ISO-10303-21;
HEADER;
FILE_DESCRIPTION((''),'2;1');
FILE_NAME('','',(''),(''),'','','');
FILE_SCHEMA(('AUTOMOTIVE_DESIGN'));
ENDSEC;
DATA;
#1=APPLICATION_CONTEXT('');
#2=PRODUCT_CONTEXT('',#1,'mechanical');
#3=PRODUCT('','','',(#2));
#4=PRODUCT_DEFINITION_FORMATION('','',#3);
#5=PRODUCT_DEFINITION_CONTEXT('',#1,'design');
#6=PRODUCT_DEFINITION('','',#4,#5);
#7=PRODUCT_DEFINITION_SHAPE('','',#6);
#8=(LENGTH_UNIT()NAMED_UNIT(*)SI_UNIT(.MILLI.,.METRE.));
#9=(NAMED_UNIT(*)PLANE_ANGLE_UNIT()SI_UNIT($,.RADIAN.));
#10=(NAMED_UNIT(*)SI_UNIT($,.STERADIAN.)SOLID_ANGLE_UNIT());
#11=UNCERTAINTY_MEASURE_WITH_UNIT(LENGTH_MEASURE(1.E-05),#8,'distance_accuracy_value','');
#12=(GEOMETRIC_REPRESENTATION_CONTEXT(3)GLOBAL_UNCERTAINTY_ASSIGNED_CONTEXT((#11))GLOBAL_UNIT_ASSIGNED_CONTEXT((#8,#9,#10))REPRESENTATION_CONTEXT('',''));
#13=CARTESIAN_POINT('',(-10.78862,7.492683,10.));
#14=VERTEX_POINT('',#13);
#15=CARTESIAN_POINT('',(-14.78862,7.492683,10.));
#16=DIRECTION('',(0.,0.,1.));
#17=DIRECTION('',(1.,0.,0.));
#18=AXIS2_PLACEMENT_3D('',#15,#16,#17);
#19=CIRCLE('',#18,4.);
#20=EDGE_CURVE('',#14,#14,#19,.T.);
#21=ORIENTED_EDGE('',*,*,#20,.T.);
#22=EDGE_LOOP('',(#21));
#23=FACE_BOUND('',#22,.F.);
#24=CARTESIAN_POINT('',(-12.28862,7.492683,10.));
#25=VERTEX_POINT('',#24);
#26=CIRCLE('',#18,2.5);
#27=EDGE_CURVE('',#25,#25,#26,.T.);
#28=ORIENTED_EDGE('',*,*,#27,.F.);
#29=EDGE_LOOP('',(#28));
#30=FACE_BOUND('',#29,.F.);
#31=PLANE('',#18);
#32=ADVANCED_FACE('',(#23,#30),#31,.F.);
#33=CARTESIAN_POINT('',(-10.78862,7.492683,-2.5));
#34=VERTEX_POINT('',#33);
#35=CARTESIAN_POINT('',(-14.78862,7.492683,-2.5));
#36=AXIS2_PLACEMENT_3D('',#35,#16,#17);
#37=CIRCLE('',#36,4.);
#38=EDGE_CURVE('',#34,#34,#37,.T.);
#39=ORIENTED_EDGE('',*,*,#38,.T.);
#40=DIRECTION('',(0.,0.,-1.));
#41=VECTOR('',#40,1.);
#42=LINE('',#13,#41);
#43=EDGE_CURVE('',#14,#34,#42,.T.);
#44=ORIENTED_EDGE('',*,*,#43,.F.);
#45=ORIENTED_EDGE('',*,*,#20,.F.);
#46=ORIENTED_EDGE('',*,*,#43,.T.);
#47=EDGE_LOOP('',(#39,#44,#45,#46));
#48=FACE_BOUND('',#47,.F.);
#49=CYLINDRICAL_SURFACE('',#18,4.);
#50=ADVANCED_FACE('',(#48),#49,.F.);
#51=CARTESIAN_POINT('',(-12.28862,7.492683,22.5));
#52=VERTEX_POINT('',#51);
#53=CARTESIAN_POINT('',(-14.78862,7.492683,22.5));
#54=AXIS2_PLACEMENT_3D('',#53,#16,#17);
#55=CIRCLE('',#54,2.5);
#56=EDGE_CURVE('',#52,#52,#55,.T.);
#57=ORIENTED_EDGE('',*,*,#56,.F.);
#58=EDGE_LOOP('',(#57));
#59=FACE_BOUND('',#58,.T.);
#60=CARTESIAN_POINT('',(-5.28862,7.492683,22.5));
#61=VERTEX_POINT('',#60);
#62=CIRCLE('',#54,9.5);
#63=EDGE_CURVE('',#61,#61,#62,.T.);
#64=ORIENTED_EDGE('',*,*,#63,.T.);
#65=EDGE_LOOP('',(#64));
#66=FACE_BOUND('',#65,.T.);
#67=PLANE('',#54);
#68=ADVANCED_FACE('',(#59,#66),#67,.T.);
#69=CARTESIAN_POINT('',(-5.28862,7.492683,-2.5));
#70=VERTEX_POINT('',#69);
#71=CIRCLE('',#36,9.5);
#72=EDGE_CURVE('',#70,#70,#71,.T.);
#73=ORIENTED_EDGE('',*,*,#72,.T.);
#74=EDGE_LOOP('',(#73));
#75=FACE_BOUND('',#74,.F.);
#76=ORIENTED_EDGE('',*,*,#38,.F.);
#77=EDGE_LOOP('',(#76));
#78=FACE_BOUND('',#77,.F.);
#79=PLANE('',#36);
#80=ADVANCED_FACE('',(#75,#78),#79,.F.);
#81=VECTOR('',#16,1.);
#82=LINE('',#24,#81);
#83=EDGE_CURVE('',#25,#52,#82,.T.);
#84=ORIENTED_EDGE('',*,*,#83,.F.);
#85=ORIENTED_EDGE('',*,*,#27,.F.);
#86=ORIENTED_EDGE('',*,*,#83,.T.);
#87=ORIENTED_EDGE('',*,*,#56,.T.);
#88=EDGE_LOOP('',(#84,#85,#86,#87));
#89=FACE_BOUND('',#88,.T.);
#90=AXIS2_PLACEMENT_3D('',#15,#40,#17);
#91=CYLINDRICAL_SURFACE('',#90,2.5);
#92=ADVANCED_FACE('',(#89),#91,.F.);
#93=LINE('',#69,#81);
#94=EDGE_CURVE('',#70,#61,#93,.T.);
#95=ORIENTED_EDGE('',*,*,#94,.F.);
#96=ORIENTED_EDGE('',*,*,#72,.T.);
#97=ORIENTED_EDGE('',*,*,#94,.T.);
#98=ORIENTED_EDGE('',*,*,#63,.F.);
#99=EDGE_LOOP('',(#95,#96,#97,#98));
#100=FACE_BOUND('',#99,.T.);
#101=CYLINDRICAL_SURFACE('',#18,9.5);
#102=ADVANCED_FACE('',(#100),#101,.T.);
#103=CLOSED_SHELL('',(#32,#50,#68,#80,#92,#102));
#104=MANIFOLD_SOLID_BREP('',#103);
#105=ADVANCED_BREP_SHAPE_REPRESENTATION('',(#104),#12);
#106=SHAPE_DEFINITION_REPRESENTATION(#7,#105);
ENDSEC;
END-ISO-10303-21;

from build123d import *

# Parameters (mm, degrees)
SKETCH_2_R           = 9.5
EXTRUDE_1_DEPTH      = 12.5
SKETCH_4_OUTSIDE_W   = 28.34
SKETCH_4_OUTSIDE_H   = 28.34
SKETCH_4_OUTSIDE_R   = 9.5
SKETCH_4_OUTSIDE_R_2 = 4
CUT_EXTRUDE_1_DEPTH  = 12.5
SKETCH_5_OUTSIDE_W   = 28.34
SKETCH_5_OUTSIDE_H   = 28.34
SKETCH_5_OUTSIDE_R   = 9.5
SKETCH_5_OUTSIDE_R_2 = 2.5
CUT_EXTRUDE_2_DEPTH  = 12.5


with BuildPart() as part:
    # 草图2 → 凸台-拉伸1 (new body, symmetric)
    with BuildSketch(Plane.XY.offset(10)):
        with Locations((-14.788619837, 7.492683074)):
            Circle(SKETCH_2_R)
    extrude(amount=EXTRUDE_1_DEPTH, both=True)

    # 草图4 outside → 切除-拉伸1 (cut)
    with BuildSketch(Plane.XY.offset(10)):
        with Locations((-14.789, 7.493)):
            Rectangle(SKETCH_4_OUTSIDE_W, SKETCH_4_OUTSIDE_H)
        with Locations((-14.788619837, 7.492683074)):
            Circle(SKETCH_4_OUTSIDE_R, mode=Mode.SUBTRACT)
        with Locations((-14.788619837, 7.492683074)):
            Circle(SKETCH_4_OUTSIDE_R_2)
    extrude(amount=-CUT_EXTRUDE_1_DEPTH, mode=Mode.SUBTRACT)

    # 草图5 outside → 切除-拉伸2 (cut)
    with BuildSketch(Plane.XY.offset(10)):
        with Locations((-14.789, 7.493)):
            Rectangle(SKETCH_5_OUTSIDE_W, SKETCH_5_OUTSIDE_H)
        with Locations((-14.788619837, 7.492683074)):
            Circle(SKETCH_5_OUTSIDE_R, mode=Mode.SUBTRACT)
        with Locations((-14.788619837, 7.492683074)):
            Circle(SKETCH_5_OUTSIDE_R_2)
    extrude(amount=CUT_EXTRUDE_2_DEPTH, mode=Mode.SUBTRACT)


solid = part.part
